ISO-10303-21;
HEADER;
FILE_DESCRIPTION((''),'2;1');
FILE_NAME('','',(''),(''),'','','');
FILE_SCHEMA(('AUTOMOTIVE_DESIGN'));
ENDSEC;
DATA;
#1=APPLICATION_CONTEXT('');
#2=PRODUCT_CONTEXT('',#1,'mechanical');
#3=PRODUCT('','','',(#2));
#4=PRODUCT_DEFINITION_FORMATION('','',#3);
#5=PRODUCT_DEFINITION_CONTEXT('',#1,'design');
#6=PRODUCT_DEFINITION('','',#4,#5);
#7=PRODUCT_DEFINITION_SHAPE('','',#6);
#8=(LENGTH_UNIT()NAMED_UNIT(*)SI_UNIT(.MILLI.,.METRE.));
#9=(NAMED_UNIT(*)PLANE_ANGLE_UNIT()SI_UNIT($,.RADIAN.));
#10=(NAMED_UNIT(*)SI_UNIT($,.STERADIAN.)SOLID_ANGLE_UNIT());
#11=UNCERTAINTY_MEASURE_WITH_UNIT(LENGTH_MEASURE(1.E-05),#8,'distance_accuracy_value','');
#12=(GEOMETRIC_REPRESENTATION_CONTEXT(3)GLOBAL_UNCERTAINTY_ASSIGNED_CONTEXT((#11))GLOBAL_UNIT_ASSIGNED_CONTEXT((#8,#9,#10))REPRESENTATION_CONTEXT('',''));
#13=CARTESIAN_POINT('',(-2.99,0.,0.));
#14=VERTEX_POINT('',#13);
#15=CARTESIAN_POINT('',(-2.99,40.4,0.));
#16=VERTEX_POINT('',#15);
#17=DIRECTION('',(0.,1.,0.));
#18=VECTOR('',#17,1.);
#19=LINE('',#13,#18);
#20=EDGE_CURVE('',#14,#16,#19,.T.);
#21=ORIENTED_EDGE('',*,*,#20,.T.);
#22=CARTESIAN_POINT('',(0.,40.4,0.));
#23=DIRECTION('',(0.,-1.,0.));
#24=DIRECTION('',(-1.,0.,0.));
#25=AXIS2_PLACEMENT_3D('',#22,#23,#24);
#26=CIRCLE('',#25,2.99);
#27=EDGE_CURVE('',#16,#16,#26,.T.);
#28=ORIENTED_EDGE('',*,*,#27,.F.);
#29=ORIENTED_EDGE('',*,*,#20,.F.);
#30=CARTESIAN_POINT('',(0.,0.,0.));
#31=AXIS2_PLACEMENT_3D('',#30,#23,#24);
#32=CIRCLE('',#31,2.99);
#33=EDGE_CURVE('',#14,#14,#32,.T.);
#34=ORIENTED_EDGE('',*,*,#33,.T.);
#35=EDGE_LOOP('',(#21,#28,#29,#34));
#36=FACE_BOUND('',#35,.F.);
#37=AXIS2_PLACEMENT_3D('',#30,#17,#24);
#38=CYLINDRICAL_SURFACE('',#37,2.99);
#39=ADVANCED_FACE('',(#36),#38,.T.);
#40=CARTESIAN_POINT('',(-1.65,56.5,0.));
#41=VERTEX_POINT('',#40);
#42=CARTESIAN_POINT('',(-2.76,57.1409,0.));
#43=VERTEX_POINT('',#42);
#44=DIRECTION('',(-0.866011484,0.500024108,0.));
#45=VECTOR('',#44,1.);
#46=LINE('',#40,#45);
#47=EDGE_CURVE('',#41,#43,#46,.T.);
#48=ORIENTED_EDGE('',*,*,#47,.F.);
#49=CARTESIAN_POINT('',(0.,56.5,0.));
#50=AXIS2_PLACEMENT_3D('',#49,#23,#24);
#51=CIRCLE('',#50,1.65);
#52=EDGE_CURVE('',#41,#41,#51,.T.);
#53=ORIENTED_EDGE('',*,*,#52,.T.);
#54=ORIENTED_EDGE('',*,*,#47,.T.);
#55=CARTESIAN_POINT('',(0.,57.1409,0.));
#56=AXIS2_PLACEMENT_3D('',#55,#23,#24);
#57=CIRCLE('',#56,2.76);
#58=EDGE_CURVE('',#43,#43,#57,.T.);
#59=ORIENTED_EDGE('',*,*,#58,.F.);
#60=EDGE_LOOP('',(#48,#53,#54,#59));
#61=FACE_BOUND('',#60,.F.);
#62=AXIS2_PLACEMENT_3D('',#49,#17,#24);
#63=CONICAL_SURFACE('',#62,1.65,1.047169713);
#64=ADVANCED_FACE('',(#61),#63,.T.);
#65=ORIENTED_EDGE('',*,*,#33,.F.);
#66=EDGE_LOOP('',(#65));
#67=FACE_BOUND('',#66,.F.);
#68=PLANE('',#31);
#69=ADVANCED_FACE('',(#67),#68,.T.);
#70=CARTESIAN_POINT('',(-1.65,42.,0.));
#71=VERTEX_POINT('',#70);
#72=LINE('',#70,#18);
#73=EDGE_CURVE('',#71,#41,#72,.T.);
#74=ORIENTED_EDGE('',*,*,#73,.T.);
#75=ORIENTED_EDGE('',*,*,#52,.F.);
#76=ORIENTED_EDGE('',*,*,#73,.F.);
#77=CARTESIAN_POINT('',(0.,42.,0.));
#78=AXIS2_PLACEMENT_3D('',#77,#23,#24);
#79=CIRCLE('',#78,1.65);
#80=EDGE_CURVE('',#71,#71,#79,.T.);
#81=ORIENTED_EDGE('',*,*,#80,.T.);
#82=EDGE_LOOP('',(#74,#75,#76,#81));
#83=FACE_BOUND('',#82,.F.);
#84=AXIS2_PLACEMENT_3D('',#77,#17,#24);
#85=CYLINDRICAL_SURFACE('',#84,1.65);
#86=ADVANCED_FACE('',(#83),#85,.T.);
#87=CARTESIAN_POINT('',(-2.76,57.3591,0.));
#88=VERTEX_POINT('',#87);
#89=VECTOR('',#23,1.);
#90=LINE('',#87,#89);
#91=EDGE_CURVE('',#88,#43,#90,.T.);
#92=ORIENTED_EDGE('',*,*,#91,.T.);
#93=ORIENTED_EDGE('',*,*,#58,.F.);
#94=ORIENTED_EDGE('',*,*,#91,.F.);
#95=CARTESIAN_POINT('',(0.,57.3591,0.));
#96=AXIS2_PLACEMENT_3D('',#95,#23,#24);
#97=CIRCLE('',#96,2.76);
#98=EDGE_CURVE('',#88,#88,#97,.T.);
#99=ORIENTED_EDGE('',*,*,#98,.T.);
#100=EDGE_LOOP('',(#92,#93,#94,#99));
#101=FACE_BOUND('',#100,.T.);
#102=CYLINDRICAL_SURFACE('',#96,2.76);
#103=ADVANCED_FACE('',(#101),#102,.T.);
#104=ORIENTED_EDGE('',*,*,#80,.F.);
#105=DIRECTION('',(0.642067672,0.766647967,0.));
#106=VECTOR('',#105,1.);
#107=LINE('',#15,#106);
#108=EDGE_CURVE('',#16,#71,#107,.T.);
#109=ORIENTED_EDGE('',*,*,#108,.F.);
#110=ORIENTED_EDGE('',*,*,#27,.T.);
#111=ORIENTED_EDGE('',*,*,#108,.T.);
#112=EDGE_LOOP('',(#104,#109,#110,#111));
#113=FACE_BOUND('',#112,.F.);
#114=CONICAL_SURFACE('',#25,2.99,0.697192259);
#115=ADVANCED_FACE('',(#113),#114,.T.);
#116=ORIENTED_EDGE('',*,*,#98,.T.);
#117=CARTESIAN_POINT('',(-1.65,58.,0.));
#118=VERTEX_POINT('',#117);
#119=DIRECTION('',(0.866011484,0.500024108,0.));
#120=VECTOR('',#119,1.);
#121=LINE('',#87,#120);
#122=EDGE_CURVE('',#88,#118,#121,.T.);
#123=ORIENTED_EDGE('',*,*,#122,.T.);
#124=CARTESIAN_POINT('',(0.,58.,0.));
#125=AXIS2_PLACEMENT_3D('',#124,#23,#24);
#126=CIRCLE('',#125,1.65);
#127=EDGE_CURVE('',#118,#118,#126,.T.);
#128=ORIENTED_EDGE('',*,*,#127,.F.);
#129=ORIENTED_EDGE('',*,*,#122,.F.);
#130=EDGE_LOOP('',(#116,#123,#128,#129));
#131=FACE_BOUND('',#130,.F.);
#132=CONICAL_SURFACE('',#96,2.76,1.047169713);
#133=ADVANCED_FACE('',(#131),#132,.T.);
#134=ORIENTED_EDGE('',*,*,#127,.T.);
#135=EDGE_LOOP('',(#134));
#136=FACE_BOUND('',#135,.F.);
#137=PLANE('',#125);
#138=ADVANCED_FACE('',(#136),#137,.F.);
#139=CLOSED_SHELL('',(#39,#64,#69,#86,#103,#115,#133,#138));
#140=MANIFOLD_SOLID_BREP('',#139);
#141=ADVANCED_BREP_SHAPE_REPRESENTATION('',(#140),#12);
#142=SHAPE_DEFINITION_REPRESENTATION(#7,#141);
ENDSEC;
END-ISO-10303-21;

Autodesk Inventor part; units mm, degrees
ref_plane "YZ Plane" through (0, 0, 0) normal (1, 0, 0) x (0, 1, 0)
ref_plane "XZ Plane" through (0, 0, 0) normal (0, 1, 0) x (-1, 0, 0)
ref_plane "XY Plane" through (0, 0, 0) normal (0, 0, 1) x (1, 0, 0)
sketch "Sketch1" plane through (0, 0, 0) normal (0, 0, 1) x (1, 0, 0)
  line L0 (0, 0) -> (-2.99, 0)
  line L1 (-2.99, 0) -> (-2.99, 40.4)
  line L2 (-2.99, 40.4) -> (-1.65, 42)
  line L3 (-1.65, 42) -> (-1.65, 56.5)
  line L4 (-1.65, 56.5) -> (-2.76, 57.1409)
  line L5 (-2.949, 57.25) -> (-2.76, 57.3591) construction
  line L6 (-1.65, 58) -> (0, 58)
  line L7 (0, 58) -> (0, 0)
  line L8 (-2.76, 57.3591) -> (-2.76, 57.1409)
  line L9 (-2.76, 57.3591) -> (-1.65, 58)
  line L10 (-2.76, 57.1409) -> (-2.949, 57.25) construction
  dimension "d0" = 58
  dimension "d1" = 5.98
  dimension "d2" = 3.3
  dimension "d3" = 1.5
  dimension "d5" = 16
  dimension "d6" = 1.6
  dimension "d7" = 39.946
  dimension "d8" = 5.52
  dimension "d11" = 1.11
  dimension "d12" = 60
  dimension "d13" = 5.8981
revolve "Revolution1" add sketch "Sketch1" angle 360 about axis through (0, 58, 0) along (0, -1, 0)
properties part number "ThreadMillP05-15"
